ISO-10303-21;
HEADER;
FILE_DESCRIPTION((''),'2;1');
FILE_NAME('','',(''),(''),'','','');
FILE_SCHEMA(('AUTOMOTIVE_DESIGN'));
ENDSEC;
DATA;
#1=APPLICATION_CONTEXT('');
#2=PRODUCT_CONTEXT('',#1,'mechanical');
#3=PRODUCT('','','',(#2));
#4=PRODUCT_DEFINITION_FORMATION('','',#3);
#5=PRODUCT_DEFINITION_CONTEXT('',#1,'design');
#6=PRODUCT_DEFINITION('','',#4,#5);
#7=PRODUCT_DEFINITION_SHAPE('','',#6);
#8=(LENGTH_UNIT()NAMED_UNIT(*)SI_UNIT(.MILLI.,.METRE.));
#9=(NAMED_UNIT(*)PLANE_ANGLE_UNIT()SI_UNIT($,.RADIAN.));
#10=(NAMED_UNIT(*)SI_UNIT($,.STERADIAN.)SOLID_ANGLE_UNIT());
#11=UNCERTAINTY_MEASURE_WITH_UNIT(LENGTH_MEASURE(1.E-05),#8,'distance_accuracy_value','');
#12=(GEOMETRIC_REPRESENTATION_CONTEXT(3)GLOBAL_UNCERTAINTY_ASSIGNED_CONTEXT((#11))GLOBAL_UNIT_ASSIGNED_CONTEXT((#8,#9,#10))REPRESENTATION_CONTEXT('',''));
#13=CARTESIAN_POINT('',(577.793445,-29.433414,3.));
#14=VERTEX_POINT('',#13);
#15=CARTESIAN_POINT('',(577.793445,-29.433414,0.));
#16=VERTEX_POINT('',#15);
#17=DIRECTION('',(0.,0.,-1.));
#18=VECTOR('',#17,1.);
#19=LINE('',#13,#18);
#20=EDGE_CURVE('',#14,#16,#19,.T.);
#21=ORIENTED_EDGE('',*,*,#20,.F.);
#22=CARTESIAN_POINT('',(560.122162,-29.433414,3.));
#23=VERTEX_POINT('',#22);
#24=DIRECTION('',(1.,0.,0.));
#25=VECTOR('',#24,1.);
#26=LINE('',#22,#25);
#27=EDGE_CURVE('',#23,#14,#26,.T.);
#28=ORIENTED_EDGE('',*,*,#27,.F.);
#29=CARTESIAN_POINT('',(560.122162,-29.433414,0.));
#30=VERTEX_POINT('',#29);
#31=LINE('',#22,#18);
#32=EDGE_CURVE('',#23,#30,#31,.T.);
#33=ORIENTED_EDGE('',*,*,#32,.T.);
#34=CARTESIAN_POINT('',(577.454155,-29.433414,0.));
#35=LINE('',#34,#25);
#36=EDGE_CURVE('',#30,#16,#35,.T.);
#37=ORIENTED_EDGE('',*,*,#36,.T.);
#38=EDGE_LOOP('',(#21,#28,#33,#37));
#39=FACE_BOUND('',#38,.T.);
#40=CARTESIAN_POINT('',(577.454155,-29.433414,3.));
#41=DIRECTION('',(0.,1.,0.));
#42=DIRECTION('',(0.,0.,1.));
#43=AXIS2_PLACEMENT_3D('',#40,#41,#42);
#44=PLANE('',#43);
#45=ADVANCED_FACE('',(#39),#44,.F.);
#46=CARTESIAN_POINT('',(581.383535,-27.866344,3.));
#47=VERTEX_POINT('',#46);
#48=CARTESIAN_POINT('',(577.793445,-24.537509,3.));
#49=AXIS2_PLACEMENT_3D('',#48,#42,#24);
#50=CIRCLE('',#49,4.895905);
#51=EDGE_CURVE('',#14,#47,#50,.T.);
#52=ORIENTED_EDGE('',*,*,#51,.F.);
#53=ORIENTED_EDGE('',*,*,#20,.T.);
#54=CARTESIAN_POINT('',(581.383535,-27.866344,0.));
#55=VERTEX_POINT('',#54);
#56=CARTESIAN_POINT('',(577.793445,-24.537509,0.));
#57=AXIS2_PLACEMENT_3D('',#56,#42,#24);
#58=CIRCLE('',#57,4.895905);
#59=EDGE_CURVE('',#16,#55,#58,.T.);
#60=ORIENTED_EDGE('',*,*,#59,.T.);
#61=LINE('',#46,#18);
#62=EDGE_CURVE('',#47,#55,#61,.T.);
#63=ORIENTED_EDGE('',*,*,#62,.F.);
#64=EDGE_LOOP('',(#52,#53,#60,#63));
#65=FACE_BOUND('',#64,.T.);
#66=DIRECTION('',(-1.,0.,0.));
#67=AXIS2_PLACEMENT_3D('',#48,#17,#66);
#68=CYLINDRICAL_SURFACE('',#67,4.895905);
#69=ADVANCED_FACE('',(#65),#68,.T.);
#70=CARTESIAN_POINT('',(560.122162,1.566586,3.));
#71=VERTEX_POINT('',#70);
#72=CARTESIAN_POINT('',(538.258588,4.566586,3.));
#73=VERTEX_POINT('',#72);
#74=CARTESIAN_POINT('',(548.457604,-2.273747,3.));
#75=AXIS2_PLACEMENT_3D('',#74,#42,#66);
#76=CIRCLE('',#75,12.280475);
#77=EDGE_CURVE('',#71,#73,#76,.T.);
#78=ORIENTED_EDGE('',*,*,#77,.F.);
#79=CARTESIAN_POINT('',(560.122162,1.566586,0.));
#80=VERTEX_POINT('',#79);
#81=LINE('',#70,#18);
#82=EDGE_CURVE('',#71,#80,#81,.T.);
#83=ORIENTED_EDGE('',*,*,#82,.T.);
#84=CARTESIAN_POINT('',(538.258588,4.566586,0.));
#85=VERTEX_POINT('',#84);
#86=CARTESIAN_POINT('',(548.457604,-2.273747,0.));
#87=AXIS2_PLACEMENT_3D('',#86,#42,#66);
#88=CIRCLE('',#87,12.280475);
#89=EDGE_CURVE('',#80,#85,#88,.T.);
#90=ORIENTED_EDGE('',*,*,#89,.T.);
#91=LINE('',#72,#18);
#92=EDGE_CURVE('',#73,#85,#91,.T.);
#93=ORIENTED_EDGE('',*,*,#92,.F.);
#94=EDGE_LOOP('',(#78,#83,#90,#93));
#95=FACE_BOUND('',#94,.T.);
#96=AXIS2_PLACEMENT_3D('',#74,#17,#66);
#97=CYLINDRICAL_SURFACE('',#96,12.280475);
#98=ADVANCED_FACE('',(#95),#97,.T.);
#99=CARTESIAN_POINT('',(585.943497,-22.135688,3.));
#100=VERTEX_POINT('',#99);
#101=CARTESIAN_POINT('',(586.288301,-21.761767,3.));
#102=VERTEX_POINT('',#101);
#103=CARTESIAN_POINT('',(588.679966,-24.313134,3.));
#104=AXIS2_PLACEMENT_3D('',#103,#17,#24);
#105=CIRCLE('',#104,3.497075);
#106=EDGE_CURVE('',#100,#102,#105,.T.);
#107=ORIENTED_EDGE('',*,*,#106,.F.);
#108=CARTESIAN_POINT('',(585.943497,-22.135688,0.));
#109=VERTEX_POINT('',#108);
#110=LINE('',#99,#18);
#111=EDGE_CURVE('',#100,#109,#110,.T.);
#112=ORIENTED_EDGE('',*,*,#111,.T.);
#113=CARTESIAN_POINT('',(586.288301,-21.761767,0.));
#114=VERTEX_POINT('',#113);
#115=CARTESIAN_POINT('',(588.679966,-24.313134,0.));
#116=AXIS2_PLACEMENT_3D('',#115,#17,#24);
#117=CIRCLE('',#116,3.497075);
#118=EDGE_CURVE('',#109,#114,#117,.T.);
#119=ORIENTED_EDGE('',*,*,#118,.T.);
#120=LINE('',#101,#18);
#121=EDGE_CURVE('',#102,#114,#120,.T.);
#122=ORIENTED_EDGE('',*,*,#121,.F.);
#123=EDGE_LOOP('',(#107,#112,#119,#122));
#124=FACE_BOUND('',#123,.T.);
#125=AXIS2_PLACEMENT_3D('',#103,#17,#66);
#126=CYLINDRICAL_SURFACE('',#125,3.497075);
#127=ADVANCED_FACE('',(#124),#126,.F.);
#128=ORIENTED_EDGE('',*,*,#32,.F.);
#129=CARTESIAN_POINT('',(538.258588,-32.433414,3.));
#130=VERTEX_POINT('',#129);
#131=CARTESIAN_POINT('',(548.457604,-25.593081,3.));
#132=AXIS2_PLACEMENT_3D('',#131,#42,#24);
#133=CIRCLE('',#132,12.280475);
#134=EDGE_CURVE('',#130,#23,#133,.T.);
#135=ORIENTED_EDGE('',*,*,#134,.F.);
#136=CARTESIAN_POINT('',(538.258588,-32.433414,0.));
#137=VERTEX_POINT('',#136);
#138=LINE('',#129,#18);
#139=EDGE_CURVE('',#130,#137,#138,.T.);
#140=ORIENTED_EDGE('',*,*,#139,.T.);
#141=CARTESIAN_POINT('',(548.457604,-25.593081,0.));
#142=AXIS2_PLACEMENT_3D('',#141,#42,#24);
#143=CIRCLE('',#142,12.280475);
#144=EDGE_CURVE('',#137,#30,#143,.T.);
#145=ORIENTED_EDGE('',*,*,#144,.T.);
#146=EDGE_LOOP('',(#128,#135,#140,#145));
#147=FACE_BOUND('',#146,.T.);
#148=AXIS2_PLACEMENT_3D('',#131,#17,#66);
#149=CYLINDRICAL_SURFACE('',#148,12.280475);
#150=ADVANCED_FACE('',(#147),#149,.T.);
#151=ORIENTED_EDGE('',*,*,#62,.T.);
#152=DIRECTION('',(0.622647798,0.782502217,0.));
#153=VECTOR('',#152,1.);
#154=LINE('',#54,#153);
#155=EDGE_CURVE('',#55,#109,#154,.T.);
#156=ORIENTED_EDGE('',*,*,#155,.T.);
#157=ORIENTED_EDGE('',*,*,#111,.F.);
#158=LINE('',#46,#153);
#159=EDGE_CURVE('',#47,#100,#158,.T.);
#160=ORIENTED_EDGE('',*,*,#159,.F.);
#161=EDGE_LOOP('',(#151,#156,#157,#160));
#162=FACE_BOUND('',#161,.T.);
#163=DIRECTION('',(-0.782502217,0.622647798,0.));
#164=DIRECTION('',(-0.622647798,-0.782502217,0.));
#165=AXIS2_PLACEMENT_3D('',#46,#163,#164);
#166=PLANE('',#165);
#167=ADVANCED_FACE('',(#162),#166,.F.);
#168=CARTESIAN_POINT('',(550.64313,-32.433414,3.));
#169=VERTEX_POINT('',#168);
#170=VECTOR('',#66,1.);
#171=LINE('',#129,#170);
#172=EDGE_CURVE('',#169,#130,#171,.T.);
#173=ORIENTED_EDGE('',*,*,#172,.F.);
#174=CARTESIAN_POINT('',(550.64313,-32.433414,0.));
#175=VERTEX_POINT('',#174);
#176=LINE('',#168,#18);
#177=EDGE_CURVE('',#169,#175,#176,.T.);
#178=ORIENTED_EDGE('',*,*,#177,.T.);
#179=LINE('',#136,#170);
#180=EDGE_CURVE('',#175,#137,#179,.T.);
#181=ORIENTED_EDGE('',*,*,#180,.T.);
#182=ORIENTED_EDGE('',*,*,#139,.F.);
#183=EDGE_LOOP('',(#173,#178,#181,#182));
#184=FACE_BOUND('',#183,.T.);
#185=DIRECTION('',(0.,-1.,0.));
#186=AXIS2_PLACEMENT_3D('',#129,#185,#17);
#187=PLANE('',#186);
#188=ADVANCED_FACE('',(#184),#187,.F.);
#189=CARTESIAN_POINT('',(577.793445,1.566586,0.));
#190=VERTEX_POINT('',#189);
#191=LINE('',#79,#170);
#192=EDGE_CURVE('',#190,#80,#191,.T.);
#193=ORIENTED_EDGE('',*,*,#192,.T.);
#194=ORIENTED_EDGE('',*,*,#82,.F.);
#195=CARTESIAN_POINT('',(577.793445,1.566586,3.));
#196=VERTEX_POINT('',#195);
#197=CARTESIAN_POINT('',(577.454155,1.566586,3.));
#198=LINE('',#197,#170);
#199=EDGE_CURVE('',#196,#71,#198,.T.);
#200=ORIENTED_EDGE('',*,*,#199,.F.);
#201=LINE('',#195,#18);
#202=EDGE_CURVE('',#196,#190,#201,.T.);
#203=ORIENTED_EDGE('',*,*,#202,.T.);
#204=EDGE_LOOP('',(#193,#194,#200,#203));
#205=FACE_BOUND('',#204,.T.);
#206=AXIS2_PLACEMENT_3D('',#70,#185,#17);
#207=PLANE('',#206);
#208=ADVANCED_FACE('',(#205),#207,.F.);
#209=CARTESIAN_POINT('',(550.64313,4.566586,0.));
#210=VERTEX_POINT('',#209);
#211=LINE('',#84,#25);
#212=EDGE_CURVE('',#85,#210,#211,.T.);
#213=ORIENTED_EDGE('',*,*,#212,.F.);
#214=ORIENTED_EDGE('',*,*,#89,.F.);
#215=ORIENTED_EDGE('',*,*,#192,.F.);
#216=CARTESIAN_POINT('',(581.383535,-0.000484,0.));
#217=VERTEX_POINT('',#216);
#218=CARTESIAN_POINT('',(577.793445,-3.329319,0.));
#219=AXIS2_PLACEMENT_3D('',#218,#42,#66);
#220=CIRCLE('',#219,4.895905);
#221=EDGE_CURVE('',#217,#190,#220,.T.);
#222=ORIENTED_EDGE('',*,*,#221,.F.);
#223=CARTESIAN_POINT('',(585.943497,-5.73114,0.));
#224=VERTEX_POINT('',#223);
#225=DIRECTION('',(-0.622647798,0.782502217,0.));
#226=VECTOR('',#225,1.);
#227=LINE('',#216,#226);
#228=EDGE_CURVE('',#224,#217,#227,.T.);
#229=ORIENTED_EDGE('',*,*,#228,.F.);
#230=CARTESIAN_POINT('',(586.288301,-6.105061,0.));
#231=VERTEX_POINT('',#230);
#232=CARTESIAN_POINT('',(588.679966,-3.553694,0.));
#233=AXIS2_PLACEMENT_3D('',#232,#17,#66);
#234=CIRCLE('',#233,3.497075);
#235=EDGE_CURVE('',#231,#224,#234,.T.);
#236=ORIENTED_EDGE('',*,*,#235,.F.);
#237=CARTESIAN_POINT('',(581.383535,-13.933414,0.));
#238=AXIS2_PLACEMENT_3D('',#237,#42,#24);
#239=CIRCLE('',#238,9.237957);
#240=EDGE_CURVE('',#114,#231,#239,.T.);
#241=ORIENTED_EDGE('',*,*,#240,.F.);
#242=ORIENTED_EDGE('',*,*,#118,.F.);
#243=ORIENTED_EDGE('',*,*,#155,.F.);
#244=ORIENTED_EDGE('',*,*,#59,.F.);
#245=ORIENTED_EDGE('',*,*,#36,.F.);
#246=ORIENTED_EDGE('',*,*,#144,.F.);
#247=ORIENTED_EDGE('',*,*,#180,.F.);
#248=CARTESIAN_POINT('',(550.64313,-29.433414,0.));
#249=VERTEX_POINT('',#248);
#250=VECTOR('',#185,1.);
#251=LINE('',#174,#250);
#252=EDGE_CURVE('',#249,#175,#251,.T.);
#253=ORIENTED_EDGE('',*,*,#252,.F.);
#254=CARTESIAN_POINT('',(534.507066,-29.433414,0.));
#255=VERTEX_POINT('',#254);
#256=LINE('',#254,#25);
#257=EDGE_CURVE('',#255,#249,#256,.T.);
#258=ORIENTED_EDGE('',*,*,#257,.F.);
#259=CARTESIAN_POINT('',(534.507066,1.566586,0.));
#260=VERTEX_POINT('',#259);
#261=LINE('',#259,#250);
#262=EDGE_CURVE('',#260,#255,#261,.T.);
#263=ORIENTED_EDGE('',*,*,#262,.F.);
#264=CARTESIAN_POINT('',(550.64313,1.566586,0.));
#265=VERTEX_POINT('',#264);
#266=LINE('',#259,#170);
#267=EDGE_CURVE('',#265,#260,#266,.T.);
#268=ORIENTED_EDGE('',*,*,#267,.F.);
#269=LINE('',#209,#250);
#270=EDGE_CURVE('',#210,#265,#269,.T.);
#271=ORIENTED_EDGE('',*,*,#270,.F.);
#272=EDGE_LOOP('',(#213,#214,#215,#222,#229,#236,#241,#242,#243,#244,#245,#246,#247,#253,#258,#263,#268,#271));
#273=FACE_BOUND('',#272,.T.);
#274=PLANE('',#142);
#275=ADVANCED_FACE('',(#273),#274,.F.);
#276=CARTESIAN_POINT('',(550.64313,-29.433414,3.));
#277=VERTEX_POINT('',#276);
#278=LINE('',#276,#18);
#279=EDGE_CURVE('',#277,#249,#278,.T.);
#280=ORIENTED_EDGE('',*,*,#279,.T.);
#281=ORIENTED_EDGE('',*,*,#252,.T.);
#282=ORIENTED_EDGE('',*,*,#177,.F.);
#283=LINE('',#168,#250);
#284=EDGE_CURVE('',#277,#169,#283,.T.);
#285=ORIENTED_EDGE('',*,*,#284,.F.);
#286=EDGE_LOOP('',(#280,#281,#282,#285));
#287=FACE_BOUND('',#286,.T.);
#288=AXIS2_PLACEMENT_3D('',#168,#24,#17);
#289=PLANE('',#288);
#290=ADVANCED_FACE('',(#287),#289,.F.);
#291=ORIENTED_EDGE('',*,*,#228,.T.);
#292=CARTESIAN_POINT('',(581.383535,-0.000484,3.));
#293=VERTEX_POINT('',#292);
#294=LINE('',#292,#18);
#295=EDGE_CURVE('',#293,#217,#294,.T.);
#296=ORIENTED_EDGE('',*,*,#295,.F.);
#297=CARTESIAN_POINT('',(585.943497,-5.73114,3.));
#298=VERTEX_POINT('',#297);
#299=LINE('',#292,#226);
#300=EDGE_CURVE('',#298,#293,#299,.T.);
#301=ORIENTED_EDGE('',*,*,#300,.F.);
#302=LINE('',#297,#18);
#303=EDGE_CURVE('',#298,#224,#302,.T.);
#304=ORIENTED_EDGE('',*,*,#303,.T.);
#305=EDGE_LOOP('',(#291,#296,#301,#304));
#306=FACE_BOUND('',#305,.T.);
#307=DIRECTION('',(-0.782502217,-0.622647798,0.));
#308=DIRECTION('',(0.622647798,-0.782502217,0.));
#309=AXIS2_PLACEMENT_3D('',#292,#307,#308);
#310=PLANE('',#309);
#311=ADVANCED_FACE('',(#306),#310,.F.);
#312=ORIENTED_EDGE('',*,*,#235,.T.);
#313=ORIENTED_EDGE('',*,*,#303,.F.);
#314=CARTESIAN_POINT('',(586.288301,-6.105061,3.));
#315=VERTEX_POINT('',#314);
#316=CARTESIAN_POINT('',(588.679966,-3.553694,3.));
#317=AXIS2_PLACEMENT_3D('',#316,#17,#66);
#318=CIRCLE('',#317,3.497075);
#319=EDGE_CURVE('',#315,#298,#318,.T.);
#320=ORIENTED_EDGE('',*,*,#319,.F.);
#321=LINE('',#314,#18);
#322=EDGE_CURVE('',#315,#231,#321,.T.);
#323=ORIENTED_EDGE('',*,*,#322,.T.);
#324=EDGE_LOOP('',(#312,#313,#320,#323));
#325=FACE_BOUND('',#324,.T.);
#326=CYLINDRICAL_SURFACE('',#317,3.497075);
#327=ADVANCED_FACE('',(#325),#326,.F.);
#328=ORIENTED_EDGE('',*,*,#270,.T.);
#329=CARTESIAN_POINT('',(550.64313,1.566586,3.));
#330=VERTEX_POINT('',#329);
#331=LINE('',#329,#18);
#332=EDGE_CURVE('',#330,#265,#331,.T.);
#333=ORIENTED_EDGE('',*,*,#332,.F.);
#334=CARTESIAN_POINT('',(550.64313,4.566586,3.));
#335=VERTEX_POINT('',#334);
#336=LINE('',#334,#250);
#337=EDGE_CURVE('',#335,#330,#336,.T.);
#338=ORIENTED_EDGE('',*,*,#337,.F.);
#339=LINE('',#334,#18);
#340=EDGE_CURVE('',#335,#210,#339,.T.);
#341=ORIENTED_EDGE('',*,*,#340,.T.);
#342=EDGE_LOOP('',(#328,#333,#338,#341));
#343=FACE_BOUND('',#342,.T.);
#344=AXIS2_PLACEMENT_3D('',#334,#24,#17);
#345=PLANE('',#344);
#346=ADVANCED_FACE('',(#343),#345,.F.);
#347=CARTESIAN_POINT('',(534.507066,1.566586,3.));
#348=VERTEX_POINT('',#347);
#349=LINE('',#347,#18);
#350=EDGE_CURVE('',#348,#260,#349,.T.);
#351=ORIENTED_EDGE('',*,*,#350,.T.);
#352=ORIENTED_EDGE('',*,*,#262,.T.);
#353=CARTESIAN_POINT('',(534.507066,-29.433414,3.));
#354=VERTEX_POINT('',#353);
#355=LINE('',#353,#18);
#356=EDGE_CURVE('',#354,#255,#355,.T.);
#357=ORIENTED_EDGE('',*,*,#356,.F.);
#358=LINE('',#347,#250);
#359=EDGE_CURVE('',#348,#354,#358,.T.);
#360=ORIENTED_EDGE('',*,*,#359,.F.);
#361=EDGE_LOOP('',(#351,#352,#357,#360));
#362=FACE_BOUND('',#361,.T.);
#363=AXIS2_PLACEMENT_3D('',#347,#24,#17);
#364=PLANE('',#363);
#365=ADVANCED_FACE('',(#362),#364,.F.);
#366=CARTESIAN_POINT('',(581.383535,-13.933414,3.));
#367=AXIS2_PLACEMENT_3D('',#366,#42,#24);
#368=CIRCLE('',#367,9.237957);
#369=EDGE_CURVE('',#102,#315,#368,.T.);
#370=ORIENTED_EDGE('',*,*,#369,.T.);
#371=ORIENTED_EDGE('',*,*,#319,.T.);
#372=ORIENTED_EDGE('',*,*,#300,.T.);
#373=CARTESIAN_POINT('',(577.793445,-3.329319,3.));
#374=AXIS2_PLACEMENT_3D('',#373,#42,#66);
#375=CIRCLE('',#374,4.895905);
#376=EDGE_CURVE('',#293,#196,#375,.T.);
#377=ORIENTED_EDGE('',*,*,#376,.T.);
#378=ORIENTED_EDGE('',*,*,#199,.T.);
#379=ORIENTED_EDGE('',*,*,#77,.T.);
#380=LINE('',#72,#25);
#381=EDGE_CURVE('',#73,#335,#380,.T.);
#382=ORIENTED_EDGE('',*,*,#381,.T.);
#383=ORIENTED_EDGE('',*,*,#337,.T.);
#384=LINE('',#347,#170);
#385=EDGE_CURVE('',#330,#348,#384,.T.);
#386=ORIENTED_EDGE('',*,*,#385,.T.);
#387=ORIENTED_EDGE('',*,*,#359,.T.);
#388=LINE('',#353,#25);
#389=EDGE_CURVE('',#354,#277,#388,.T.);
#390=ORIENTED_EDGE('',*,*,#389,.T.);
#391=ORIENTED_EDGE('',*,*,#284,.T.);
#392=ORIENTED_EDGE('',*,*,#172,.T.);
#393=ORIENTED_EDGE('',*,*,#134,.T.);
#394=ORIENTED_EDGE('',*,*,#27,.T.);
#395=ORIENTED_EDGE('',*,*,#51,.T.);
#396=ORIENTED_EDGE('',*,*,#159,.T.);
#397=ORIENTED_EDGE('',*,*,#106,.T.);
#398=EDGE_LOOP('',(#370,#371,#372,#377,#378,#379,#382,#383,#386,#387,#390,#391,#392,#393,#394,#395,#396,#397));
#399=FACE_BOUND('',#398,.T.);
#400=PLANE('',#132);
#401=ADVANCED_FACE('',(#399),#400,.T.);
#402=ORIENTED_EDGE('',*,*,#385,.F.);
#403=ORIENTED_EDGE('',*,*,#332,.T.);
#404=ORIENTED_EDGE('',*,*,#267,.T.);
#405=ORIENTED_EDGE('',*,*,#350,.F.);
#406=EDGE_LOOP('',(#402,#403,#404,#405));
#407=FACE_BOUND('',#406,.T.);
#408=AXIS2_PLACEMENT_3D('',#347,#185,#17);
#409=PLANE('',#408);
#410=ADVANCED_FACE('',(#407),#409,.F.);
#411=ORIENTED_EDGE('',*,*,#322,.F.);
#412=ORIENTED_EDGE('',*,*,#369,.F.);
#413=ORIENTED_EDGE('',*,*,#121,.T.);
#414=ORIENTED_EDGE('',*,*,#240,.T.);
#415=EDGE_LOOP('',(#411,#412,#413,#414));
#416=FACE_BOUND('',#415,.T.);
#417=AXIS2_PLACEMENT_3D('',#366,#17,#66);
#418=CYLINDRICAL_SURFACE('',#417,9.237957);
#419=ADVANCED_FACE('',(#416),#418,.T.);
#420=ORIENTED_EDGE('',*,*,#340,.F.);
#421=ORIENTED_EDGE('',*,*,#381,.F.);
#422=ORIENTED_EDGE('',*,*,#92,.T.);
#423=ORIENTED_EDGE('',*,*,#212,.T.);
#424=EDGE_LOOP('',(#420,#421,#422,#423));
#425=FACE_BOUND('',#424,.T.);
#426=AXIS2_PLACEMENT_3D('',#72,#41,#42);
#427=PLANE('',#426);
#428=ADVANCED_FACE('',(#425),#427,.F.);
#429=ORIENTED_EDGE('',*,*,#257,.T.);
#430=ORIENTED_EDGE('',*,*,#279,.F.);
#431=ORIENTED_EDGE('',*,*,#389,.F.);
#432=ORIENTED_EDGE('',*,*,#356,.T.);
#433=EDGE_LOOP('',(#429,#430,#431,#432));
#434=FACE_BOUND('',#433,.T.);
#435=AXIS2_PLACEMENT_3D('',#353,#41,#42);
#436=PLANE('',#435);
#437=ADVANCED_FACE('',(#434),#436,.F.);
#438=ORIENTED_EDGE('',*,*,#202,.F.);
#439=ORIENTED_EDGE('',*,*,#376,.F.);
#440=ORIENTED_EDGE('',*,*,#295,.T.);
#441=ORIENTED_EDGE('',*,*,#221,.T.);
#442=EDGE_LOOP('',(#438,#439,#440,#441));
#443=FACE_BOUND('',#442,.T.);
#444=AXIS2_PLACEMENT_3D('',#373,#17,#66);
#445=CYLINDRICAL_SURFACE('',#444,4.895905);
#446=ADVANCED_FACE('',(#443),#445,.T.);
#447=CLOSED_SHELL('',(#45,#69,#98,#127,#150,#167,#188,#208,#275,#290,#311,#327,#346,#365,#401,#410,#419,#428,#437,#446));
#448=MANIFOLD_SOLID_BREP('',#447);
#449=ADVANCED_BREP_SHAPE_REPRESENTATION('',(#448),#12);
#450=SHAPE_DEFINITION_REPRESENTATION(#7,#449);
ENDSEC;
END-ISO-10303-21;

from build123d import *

# Parameters (mm, degrees)
BASE_EXTRUDE_DEPTH = 3


with BuildPart() as part:
    # Sketch1 → Base-Extrude (new body)
    with BuildSketch(Plane.XY):
        with BuildLine():
            Line((534.507066227, 1.566585982), (534.507066227, -29.433414018))
            Line((534.507066227, -29.433414018), (550.643129996, -29.433414018))
            Line((550.643129996, -29.433414018), (550.643129996, -32.433414018))
            Line((550.643129996, -32.433414018), (538.258588448, -32.433414018))
            ThreePointArc((538.258588448, -32.433414018), (550.12702098, -37.759556083), (560.122161718, -29.433414018))
            Line((560.122161718, -29.433414018), (577.454155209, -29.433414018))
            Line((577.454155209, -29.433414018), (577.793445205, -29.433414018))
            ThreePointArc((577.793445205, -29.433414018), (579.752044999, -29.024576285), (581.383534897, -27.866343942))
            Line((581.383534897, -27.866343942), (585.943497105, -22.135687625))
            ThreePointArc((585.943497105, -22.135687625), (586.10909179, -21.942450413), (586.288300693, -21.761767294))
            ThreePointArc((586.288300693, -21.761767294), (590.621491518, -13.933414018), (586.288300693, -6.105060742))
            ThreePointArc((586.288300693, -6.105060742), (586.10909179, -5.924377623), (585.943497105, -5.731140411))
            Line((585.943497105, -5.731140411), (581.383534897, -0.000484094))
            ThreePointArc((581.383534897, -0.000484094), (579.752044999, 1.157748249), (577.793445205, 1.566585982))
            Line((577.793445205, 1.566585982), (577.454155209, 1.566585982))
            Line((577.454155209, 1.566585982), (560.122161718, 1.566585982))
            ThreePointArc((560.122161718, 1.566585982), (550.12702098, 9.892728047), (538.258588448, 4.566585982))
            Line((538.258588448, 4.566585982), (550.643129996, 4.566585982))
            Line((550.643129996, 4.566585982), (550.643129996, 1.566585982))
            Line((550.643129996, 1.566585982), (534.507066227, 1.566585982))
        make_face()
    extrude(amount=BASE_EXTRUDE_DEPTH)


solid = part.part
